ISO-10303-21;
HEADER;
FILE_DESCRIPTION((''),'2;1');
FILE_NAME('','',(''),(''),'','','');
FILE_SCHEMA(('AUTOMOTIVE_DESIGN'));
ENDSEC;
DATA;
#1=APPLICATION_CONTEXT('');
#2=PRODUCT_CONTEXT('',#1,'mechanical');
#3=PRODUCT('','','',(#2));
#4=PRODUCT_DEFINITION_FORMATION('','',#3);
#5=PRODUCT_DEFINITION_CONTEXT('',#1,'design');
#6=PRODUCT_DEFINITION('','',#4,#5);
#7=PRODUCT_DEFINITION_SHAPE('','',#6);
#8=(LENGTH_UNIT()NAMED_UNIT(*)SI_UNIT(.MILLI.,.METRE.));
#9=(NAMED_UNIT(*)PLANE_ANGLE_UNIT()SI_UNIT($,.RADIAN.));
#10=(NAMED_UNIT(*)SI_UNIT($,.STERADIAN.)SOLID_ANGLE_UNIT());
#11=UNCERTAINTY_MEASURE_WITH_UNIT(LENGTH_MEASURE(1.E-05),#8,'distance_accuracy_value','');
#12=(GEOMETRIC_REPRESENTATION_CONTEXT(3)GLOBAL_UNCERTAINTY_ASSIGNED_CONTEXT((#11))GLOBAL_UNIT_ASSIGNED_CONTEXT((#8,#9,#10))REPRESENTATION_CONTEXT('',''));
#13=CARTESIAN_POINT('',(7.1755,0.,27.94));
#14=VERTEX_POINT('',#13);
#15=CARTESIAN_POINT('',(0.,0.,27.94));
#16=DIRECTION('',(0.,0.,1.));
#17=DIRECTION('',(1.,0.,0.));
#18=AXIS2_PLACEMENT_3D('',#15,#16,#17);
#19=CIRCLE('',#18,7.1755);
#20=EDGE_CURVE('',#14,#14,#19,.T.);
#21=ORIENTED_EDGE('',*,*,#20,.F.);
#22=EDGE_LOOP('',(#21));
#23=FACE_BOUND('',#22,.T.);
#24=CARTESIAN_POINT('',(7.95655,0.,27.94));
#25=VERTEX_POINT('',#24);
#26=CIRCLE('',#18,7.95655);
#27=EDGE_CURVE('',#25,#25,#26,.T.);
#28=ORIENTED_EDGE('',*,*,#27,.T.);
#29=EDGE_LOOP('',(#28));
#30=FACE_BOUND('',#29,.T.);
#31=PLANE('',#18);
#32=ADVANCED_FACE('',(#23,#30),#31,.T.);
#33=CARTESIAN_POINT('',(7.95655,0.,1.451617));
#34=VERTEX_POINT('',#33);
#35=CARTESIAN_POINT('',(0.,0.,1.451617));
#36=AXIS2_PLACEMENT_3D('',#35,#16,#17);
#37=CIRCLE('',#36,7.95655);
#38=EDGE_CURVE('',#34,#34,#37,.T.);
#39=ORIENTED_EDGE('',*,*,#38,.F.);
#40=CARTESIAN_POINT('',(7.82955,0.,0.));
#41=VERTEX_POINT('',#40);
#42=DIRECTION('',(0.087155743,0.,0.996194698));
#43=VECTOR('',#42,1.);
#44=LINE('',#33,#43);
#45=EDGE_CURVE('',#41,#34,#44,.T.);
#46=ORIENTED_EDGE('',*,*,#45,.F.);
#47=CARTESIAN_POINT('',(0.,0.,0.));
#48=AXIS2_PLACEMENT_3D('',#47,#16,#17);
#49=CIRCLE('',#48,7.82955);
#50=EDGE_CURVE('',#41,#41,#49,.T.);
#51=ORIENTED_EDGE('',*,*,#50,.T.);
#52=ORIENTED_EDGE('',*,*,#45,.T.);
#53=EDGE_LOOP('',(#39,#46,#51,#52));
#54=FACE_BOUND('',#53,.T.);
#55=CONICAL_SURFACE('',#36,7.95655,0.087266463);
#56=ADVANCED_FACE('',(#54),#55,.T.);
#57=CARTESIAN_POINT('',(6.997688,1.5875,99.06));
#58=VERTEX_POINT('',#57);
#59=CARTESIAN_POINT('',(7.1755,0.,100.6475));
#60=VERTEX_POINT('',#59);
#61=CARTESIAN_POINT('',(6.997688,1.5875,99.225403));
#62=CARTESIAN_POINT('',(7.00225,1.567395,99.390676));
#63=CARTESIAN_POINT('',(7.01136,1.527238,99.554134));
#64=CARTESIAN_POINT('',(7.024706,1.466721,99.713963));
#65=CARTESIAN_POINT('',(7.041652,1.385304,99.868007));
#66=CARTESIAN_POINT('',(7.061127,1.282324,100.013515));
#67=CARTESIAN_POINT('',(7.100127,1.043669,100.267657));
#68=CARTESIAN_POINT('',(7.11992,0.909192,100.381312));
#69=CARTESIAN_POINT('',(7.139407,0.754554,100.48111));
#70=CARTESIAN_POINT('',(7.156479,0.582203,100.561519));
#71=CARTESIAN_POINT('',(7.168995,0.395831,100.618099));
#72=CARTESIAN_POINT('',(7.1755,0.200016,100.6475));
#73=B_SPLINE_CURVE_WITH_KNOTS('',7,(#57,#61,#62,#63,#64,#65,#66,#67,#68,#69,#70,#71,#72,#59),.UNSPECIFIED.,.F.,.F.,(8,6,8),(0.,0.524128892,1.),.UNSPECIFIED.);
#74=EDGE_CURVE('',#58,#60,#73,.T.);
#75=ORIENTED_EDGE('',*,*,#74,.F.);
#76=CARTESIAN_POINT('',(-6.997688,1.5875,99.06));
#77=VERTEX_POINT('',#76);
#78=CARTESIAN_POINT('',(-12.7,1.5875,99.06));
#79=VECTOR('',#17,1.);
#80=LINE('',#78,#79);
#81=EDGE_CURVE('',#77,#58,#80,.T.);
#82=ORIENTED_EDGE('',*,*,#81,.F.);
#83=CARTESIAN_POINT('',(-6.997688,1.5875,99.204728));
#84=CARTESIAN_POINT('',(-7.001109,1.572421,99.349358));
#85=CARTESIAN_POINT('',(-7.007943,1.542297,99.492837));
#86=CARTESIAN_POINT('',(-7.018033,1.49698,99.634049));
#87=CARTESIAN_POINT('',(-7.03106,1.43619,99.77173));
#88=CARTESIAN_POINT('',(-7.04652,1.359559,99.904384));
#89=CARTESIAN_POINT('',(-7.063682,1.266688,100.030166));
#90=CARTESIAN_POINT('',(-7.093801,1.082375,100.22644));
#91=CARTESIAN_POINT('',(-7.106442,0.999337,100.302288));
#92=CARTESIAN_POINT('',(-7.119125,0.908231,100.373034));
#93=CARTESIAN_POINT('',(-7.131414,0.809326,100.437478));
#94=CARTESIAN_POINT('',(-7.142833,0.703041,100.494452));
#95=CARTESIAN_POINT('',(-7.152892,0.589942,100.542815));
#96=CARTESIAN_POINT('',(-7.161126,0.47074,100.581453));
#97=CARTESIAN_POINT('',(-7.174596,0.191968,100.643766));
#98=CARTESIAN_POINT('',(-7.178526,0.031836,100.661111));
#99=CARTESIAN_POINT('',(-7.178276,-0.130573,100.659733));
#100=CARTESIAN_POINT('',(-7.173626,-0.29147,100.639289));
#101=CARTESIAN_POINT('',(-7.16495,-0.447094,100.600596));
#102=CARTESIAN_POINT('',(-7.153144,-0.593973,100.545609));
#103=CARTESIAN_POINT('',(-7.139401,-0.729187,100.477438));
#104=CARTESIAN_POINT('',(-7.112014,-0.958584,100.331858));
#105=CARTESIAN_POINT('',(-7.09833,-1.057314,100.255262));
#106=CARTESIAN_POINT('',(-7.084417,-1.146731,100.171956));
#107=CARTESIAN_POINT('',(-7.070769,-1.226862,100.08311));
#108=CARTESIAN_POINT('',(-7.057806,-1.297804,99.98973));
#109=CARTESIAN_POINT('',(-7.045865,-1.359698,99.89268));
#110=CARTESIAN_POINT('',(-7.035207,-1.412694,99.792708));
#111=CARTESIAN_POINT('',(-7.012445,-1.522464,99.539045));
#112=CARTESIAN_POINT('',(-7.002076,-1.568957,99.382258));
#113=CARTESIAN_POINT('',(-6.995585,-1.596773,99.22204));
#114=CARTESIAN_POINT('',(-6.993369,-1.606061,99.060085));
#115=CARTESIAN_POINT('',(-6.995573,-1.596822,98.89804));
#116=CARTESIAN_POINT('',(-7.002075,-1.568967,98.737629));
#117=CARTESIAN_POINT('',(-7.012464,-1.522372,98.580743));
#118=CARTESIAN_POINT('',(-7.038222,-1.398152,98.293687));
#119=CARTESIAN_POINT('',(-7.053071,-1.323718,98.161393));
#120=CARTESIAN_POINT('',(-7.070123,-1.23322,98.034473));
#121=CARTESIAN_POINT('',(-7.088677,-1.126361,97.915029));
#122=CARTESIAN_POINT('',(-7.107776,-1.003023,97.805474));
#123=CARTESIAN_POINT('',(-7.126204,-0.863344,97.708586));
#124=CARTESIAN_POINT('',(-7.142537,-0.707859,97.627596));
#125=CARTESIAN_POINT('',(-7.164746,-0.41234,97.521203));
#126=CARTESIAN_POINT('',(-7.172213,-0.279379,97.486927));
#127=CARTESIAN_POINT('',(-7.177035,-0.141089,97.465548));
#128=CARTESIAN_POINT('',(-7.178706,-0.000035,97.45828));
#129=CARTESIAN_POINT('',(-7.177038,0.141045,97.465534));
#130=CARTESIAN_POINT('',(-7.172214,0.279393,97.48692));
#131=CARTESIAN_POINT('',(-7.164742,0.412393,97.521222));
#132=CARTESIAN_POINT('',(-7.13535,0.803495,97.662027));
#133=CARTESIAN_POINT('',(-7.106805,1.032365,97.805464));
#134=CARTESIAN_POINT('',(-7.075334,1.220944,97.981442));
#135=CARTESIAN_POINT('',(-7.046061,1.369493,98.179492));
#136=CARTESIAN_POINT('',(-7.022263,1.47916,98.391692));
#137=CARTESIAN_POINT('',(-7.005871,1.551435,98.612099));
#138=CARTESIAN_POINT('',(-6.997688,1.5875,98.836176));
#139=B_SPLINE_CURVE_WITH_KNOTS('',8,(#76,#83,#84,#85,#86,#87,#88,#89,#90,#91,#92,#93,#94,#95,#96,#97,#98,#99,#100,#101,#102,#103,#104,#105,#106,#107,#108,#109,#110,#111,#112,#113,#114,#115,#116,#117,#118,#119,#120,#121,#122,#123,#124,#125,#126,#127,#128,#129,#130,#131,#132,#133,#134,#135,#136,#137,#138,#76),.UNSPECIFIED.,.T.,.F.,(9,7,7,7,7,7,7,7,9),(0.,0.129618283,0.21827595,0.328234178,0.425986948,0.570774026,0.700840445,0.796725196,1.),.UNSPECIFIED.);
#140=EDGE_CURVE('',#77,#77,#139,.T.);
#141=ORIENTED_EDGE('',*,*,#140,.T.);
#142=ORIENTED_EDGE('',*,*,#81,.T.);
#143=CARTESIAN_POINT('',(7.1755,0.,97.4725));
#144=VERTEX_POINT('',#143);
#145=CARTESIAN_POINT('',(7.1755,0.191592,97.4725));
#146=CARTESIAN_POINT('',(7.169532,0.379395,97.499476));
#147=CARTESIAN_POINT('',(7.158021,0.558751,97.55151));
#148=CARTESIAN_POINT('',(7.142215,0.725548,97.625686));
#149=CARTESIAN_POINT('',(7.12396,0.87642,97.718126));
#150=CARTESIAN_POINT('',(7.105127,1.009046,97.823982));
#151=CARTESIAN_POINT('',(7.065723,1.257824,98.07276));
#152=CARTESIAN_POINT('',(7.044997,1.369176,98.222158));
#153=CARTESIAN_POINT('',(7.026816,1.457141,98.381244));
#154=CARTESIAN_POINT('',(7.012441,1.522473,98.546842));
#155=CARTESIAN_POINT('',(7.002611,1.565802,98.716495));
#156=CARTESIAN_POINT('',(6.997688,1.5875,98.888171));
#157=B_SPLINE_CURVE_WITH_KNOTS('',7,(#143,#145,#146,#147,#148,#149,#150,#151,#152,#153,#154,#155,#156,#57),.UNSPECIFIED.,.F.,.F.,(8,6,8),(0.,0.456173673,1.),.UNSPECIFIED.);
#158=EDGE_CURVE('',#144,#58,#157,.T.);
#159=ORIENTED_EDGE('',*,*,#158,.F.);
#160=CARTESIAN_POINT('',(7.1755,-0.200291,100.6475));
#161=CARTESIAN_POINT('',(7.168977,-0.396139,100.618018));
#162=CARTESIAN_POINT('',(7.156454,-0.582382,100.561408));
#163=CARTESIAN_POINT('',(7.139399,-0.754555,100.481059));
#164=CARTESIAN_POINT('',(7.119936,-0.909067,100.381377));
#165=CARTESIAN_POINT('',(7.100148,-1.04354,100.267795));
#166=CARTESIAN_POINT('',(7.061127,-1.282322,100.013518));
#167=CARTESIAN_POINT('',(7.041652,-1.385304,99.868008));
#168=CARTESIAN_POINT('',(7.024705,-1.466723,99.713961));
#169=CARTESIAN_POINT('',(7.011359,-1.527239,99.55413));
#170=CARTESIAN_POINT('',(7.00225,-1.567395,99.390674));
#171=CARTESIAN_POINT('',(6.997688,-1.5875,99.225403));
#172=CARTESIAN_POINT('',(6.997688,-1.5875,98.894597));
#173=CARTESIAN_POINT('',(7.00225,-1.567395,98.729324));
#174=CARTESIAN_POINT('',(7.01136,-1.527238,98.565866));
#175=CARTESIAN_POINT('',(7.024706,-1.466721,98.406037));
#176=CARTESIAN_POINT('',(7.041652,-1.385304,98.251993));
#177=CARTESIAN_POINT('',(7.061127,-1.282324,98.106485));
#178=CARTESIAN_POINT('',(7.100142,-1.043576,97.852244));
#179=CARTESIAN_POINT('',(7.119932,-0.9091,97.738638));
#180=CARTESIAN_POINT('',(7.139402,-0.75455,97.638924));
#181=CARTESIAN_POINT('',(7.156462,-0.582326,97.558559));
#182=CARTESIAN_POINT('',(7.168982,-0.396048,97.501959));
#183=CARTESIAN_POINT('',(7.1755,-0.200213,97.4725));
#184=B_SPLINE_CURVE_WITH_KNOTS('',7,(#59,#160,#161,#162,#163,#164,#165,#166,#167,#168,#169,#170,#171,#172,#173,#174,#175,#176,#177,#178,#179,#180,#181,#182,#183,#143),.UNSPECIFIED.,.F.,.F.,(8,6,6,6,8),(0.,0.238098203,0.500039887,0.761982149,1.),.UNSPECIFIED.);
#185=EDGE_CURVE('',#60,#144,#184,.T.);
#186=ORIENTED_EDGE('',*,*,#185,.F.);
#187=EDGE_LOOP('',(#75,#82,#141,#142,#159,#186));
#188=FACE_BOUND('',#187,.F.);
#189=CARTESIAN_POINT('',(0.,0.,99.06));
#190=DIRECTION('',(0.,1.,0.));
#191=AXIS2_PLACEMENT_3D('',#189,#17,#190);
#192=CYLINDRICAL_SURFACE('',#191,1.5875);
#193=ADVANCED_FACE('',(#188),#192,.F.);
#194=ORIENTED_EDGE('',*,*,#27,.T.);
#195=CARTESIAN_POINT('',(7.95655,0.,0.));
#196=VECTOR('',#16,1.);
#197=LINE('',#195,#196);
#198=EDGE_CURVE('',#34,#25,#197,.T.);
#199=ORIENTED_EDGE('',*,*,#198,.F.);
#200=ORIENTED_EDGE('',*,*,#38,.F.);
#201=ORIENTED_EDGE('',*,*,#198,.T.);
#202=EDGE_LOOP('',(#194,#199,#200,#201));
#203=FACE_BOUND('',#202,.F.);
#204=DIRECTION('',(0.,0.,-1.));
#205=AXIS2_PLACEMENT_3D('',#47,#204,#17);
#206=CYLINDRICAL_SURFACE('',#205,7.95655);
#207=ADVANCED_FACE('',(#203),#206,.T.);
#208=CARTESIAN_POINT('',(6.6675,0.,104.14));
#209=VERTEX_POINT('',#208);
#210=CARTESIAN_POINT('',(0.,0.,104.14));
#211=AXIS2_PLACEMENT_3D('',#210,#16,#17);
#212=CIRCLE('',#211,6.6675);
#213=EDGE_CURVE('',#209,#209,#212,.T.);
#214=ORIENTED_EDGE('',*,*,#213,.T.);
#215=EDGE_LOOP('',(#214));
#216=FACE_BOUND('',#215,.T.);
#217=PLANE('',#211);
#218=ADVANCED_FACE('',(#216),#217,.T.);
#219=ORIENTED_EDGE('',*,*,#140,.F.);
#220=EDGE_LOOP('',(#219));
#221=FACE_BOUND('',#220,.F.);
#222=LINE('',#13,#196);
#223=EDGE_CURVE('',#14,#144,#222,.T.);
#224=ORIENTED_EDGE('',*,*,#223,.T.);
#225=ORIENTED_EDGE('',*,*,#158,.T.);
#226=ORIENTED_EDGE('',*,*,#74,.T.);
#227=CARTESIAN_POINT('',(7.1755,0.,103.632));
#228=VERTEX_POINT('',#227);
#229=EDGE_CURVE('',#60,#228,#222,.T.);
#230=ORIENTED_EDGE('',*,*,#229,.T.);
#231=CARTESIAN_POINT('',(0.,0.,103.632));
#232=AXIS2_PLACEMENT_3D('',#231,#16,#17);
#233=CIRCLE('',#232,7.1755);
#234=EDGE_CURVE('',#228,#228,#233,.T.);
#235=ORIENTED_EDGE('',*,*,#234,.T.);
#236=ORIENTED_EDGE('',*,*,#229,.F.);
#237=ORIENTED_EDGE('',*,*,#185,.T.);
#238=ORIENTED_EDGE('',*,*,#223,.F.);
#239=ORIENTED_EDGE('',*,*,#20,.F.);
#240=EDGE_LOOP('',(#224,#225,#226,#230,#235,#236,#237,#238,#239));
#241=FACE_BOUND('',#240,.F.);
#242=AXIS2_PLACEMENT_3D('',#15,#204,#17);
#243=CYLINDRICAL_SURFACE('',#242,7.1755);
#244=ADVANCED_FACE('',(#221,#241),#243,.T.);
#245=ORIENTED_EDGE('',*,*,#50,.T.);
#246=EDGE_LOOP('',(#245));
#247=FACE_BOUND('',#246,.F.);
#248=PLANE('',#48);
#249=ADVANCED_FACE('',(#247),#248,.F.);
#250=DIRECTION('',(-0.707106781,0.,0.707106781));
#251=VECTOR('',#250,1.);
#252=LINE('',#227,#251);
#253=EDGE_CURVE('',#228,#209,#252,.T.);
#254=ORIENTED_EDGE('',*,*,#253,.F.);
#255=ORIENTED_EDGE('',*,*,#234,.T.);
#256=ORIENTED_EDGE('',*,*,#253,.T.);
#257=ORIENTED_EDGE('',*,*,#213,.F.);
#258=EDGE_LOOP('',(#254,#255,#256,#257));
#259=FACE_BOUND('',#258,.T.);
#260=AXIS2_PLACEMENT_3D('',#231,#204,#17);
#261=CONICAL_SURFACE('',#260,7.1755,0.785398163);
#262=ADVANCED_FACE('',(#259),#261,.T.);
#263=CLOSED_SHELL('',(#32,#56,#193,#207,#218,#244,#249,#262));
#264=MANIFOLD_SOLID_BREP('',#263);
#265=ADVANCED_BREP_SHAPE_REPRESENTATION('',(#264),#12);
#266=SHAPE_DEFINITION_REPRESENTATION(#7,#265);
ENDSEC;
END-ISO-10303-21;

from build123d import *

# Parameters (mm, degrees)
F0_R     = 7.95655
F1_DEPTH = 27.94
F2_R     = 7.1755
F3_DEPTH = 76.2
F5_R     = 1.5875
F6_DEPTH = 12.7
F7_SIZE  = 0.508
F8_SIZE2 = 1.4516166425
F8_SIZE  = 0.127


with BuildPart() as f1:
    # F0 (on Top) → F1 (new body)
    with BuildSketch(Plane.XY):
        Circle(F0_R)
    extrude(amount=F1_DEPTH)

    # F2 (on face) → F3 (join)
    with BuildSketch(Plane.XY.offset(27.94)):
        Circle(F2_R)
    extrude(amount=F3_DEPTH)

    # F5 (on face) → F6 (cut, symmetric)
    with BuildSketch(Plane.YZ):
        with Locations((0, 99.06)):
            Circle(F5_R)
    extrude(amount=F6_DEPTH, both=True, mode=Mode.SUBTRACT)

    # F7
    f7_edges = [f1.edges().sort_by_distance(p)[0] for p in [
        (-7.1755, 0, 104.14),
    ]]
    chamfer(f7_edges, length=F7_SIZE)

    # F8
    f8_edges = [f1.edges().sort_by_distance(p)[0] for p in [
        (-7.95655, 0, 0),
    ]]
    f8_side = f1.faces().sort_by_distance((0, 0, 0))[0]
    chamfer(f8_edges, length=F8_SIZE, length2=F8_SIZE2, reference=f8_side)


solid = f1.part
